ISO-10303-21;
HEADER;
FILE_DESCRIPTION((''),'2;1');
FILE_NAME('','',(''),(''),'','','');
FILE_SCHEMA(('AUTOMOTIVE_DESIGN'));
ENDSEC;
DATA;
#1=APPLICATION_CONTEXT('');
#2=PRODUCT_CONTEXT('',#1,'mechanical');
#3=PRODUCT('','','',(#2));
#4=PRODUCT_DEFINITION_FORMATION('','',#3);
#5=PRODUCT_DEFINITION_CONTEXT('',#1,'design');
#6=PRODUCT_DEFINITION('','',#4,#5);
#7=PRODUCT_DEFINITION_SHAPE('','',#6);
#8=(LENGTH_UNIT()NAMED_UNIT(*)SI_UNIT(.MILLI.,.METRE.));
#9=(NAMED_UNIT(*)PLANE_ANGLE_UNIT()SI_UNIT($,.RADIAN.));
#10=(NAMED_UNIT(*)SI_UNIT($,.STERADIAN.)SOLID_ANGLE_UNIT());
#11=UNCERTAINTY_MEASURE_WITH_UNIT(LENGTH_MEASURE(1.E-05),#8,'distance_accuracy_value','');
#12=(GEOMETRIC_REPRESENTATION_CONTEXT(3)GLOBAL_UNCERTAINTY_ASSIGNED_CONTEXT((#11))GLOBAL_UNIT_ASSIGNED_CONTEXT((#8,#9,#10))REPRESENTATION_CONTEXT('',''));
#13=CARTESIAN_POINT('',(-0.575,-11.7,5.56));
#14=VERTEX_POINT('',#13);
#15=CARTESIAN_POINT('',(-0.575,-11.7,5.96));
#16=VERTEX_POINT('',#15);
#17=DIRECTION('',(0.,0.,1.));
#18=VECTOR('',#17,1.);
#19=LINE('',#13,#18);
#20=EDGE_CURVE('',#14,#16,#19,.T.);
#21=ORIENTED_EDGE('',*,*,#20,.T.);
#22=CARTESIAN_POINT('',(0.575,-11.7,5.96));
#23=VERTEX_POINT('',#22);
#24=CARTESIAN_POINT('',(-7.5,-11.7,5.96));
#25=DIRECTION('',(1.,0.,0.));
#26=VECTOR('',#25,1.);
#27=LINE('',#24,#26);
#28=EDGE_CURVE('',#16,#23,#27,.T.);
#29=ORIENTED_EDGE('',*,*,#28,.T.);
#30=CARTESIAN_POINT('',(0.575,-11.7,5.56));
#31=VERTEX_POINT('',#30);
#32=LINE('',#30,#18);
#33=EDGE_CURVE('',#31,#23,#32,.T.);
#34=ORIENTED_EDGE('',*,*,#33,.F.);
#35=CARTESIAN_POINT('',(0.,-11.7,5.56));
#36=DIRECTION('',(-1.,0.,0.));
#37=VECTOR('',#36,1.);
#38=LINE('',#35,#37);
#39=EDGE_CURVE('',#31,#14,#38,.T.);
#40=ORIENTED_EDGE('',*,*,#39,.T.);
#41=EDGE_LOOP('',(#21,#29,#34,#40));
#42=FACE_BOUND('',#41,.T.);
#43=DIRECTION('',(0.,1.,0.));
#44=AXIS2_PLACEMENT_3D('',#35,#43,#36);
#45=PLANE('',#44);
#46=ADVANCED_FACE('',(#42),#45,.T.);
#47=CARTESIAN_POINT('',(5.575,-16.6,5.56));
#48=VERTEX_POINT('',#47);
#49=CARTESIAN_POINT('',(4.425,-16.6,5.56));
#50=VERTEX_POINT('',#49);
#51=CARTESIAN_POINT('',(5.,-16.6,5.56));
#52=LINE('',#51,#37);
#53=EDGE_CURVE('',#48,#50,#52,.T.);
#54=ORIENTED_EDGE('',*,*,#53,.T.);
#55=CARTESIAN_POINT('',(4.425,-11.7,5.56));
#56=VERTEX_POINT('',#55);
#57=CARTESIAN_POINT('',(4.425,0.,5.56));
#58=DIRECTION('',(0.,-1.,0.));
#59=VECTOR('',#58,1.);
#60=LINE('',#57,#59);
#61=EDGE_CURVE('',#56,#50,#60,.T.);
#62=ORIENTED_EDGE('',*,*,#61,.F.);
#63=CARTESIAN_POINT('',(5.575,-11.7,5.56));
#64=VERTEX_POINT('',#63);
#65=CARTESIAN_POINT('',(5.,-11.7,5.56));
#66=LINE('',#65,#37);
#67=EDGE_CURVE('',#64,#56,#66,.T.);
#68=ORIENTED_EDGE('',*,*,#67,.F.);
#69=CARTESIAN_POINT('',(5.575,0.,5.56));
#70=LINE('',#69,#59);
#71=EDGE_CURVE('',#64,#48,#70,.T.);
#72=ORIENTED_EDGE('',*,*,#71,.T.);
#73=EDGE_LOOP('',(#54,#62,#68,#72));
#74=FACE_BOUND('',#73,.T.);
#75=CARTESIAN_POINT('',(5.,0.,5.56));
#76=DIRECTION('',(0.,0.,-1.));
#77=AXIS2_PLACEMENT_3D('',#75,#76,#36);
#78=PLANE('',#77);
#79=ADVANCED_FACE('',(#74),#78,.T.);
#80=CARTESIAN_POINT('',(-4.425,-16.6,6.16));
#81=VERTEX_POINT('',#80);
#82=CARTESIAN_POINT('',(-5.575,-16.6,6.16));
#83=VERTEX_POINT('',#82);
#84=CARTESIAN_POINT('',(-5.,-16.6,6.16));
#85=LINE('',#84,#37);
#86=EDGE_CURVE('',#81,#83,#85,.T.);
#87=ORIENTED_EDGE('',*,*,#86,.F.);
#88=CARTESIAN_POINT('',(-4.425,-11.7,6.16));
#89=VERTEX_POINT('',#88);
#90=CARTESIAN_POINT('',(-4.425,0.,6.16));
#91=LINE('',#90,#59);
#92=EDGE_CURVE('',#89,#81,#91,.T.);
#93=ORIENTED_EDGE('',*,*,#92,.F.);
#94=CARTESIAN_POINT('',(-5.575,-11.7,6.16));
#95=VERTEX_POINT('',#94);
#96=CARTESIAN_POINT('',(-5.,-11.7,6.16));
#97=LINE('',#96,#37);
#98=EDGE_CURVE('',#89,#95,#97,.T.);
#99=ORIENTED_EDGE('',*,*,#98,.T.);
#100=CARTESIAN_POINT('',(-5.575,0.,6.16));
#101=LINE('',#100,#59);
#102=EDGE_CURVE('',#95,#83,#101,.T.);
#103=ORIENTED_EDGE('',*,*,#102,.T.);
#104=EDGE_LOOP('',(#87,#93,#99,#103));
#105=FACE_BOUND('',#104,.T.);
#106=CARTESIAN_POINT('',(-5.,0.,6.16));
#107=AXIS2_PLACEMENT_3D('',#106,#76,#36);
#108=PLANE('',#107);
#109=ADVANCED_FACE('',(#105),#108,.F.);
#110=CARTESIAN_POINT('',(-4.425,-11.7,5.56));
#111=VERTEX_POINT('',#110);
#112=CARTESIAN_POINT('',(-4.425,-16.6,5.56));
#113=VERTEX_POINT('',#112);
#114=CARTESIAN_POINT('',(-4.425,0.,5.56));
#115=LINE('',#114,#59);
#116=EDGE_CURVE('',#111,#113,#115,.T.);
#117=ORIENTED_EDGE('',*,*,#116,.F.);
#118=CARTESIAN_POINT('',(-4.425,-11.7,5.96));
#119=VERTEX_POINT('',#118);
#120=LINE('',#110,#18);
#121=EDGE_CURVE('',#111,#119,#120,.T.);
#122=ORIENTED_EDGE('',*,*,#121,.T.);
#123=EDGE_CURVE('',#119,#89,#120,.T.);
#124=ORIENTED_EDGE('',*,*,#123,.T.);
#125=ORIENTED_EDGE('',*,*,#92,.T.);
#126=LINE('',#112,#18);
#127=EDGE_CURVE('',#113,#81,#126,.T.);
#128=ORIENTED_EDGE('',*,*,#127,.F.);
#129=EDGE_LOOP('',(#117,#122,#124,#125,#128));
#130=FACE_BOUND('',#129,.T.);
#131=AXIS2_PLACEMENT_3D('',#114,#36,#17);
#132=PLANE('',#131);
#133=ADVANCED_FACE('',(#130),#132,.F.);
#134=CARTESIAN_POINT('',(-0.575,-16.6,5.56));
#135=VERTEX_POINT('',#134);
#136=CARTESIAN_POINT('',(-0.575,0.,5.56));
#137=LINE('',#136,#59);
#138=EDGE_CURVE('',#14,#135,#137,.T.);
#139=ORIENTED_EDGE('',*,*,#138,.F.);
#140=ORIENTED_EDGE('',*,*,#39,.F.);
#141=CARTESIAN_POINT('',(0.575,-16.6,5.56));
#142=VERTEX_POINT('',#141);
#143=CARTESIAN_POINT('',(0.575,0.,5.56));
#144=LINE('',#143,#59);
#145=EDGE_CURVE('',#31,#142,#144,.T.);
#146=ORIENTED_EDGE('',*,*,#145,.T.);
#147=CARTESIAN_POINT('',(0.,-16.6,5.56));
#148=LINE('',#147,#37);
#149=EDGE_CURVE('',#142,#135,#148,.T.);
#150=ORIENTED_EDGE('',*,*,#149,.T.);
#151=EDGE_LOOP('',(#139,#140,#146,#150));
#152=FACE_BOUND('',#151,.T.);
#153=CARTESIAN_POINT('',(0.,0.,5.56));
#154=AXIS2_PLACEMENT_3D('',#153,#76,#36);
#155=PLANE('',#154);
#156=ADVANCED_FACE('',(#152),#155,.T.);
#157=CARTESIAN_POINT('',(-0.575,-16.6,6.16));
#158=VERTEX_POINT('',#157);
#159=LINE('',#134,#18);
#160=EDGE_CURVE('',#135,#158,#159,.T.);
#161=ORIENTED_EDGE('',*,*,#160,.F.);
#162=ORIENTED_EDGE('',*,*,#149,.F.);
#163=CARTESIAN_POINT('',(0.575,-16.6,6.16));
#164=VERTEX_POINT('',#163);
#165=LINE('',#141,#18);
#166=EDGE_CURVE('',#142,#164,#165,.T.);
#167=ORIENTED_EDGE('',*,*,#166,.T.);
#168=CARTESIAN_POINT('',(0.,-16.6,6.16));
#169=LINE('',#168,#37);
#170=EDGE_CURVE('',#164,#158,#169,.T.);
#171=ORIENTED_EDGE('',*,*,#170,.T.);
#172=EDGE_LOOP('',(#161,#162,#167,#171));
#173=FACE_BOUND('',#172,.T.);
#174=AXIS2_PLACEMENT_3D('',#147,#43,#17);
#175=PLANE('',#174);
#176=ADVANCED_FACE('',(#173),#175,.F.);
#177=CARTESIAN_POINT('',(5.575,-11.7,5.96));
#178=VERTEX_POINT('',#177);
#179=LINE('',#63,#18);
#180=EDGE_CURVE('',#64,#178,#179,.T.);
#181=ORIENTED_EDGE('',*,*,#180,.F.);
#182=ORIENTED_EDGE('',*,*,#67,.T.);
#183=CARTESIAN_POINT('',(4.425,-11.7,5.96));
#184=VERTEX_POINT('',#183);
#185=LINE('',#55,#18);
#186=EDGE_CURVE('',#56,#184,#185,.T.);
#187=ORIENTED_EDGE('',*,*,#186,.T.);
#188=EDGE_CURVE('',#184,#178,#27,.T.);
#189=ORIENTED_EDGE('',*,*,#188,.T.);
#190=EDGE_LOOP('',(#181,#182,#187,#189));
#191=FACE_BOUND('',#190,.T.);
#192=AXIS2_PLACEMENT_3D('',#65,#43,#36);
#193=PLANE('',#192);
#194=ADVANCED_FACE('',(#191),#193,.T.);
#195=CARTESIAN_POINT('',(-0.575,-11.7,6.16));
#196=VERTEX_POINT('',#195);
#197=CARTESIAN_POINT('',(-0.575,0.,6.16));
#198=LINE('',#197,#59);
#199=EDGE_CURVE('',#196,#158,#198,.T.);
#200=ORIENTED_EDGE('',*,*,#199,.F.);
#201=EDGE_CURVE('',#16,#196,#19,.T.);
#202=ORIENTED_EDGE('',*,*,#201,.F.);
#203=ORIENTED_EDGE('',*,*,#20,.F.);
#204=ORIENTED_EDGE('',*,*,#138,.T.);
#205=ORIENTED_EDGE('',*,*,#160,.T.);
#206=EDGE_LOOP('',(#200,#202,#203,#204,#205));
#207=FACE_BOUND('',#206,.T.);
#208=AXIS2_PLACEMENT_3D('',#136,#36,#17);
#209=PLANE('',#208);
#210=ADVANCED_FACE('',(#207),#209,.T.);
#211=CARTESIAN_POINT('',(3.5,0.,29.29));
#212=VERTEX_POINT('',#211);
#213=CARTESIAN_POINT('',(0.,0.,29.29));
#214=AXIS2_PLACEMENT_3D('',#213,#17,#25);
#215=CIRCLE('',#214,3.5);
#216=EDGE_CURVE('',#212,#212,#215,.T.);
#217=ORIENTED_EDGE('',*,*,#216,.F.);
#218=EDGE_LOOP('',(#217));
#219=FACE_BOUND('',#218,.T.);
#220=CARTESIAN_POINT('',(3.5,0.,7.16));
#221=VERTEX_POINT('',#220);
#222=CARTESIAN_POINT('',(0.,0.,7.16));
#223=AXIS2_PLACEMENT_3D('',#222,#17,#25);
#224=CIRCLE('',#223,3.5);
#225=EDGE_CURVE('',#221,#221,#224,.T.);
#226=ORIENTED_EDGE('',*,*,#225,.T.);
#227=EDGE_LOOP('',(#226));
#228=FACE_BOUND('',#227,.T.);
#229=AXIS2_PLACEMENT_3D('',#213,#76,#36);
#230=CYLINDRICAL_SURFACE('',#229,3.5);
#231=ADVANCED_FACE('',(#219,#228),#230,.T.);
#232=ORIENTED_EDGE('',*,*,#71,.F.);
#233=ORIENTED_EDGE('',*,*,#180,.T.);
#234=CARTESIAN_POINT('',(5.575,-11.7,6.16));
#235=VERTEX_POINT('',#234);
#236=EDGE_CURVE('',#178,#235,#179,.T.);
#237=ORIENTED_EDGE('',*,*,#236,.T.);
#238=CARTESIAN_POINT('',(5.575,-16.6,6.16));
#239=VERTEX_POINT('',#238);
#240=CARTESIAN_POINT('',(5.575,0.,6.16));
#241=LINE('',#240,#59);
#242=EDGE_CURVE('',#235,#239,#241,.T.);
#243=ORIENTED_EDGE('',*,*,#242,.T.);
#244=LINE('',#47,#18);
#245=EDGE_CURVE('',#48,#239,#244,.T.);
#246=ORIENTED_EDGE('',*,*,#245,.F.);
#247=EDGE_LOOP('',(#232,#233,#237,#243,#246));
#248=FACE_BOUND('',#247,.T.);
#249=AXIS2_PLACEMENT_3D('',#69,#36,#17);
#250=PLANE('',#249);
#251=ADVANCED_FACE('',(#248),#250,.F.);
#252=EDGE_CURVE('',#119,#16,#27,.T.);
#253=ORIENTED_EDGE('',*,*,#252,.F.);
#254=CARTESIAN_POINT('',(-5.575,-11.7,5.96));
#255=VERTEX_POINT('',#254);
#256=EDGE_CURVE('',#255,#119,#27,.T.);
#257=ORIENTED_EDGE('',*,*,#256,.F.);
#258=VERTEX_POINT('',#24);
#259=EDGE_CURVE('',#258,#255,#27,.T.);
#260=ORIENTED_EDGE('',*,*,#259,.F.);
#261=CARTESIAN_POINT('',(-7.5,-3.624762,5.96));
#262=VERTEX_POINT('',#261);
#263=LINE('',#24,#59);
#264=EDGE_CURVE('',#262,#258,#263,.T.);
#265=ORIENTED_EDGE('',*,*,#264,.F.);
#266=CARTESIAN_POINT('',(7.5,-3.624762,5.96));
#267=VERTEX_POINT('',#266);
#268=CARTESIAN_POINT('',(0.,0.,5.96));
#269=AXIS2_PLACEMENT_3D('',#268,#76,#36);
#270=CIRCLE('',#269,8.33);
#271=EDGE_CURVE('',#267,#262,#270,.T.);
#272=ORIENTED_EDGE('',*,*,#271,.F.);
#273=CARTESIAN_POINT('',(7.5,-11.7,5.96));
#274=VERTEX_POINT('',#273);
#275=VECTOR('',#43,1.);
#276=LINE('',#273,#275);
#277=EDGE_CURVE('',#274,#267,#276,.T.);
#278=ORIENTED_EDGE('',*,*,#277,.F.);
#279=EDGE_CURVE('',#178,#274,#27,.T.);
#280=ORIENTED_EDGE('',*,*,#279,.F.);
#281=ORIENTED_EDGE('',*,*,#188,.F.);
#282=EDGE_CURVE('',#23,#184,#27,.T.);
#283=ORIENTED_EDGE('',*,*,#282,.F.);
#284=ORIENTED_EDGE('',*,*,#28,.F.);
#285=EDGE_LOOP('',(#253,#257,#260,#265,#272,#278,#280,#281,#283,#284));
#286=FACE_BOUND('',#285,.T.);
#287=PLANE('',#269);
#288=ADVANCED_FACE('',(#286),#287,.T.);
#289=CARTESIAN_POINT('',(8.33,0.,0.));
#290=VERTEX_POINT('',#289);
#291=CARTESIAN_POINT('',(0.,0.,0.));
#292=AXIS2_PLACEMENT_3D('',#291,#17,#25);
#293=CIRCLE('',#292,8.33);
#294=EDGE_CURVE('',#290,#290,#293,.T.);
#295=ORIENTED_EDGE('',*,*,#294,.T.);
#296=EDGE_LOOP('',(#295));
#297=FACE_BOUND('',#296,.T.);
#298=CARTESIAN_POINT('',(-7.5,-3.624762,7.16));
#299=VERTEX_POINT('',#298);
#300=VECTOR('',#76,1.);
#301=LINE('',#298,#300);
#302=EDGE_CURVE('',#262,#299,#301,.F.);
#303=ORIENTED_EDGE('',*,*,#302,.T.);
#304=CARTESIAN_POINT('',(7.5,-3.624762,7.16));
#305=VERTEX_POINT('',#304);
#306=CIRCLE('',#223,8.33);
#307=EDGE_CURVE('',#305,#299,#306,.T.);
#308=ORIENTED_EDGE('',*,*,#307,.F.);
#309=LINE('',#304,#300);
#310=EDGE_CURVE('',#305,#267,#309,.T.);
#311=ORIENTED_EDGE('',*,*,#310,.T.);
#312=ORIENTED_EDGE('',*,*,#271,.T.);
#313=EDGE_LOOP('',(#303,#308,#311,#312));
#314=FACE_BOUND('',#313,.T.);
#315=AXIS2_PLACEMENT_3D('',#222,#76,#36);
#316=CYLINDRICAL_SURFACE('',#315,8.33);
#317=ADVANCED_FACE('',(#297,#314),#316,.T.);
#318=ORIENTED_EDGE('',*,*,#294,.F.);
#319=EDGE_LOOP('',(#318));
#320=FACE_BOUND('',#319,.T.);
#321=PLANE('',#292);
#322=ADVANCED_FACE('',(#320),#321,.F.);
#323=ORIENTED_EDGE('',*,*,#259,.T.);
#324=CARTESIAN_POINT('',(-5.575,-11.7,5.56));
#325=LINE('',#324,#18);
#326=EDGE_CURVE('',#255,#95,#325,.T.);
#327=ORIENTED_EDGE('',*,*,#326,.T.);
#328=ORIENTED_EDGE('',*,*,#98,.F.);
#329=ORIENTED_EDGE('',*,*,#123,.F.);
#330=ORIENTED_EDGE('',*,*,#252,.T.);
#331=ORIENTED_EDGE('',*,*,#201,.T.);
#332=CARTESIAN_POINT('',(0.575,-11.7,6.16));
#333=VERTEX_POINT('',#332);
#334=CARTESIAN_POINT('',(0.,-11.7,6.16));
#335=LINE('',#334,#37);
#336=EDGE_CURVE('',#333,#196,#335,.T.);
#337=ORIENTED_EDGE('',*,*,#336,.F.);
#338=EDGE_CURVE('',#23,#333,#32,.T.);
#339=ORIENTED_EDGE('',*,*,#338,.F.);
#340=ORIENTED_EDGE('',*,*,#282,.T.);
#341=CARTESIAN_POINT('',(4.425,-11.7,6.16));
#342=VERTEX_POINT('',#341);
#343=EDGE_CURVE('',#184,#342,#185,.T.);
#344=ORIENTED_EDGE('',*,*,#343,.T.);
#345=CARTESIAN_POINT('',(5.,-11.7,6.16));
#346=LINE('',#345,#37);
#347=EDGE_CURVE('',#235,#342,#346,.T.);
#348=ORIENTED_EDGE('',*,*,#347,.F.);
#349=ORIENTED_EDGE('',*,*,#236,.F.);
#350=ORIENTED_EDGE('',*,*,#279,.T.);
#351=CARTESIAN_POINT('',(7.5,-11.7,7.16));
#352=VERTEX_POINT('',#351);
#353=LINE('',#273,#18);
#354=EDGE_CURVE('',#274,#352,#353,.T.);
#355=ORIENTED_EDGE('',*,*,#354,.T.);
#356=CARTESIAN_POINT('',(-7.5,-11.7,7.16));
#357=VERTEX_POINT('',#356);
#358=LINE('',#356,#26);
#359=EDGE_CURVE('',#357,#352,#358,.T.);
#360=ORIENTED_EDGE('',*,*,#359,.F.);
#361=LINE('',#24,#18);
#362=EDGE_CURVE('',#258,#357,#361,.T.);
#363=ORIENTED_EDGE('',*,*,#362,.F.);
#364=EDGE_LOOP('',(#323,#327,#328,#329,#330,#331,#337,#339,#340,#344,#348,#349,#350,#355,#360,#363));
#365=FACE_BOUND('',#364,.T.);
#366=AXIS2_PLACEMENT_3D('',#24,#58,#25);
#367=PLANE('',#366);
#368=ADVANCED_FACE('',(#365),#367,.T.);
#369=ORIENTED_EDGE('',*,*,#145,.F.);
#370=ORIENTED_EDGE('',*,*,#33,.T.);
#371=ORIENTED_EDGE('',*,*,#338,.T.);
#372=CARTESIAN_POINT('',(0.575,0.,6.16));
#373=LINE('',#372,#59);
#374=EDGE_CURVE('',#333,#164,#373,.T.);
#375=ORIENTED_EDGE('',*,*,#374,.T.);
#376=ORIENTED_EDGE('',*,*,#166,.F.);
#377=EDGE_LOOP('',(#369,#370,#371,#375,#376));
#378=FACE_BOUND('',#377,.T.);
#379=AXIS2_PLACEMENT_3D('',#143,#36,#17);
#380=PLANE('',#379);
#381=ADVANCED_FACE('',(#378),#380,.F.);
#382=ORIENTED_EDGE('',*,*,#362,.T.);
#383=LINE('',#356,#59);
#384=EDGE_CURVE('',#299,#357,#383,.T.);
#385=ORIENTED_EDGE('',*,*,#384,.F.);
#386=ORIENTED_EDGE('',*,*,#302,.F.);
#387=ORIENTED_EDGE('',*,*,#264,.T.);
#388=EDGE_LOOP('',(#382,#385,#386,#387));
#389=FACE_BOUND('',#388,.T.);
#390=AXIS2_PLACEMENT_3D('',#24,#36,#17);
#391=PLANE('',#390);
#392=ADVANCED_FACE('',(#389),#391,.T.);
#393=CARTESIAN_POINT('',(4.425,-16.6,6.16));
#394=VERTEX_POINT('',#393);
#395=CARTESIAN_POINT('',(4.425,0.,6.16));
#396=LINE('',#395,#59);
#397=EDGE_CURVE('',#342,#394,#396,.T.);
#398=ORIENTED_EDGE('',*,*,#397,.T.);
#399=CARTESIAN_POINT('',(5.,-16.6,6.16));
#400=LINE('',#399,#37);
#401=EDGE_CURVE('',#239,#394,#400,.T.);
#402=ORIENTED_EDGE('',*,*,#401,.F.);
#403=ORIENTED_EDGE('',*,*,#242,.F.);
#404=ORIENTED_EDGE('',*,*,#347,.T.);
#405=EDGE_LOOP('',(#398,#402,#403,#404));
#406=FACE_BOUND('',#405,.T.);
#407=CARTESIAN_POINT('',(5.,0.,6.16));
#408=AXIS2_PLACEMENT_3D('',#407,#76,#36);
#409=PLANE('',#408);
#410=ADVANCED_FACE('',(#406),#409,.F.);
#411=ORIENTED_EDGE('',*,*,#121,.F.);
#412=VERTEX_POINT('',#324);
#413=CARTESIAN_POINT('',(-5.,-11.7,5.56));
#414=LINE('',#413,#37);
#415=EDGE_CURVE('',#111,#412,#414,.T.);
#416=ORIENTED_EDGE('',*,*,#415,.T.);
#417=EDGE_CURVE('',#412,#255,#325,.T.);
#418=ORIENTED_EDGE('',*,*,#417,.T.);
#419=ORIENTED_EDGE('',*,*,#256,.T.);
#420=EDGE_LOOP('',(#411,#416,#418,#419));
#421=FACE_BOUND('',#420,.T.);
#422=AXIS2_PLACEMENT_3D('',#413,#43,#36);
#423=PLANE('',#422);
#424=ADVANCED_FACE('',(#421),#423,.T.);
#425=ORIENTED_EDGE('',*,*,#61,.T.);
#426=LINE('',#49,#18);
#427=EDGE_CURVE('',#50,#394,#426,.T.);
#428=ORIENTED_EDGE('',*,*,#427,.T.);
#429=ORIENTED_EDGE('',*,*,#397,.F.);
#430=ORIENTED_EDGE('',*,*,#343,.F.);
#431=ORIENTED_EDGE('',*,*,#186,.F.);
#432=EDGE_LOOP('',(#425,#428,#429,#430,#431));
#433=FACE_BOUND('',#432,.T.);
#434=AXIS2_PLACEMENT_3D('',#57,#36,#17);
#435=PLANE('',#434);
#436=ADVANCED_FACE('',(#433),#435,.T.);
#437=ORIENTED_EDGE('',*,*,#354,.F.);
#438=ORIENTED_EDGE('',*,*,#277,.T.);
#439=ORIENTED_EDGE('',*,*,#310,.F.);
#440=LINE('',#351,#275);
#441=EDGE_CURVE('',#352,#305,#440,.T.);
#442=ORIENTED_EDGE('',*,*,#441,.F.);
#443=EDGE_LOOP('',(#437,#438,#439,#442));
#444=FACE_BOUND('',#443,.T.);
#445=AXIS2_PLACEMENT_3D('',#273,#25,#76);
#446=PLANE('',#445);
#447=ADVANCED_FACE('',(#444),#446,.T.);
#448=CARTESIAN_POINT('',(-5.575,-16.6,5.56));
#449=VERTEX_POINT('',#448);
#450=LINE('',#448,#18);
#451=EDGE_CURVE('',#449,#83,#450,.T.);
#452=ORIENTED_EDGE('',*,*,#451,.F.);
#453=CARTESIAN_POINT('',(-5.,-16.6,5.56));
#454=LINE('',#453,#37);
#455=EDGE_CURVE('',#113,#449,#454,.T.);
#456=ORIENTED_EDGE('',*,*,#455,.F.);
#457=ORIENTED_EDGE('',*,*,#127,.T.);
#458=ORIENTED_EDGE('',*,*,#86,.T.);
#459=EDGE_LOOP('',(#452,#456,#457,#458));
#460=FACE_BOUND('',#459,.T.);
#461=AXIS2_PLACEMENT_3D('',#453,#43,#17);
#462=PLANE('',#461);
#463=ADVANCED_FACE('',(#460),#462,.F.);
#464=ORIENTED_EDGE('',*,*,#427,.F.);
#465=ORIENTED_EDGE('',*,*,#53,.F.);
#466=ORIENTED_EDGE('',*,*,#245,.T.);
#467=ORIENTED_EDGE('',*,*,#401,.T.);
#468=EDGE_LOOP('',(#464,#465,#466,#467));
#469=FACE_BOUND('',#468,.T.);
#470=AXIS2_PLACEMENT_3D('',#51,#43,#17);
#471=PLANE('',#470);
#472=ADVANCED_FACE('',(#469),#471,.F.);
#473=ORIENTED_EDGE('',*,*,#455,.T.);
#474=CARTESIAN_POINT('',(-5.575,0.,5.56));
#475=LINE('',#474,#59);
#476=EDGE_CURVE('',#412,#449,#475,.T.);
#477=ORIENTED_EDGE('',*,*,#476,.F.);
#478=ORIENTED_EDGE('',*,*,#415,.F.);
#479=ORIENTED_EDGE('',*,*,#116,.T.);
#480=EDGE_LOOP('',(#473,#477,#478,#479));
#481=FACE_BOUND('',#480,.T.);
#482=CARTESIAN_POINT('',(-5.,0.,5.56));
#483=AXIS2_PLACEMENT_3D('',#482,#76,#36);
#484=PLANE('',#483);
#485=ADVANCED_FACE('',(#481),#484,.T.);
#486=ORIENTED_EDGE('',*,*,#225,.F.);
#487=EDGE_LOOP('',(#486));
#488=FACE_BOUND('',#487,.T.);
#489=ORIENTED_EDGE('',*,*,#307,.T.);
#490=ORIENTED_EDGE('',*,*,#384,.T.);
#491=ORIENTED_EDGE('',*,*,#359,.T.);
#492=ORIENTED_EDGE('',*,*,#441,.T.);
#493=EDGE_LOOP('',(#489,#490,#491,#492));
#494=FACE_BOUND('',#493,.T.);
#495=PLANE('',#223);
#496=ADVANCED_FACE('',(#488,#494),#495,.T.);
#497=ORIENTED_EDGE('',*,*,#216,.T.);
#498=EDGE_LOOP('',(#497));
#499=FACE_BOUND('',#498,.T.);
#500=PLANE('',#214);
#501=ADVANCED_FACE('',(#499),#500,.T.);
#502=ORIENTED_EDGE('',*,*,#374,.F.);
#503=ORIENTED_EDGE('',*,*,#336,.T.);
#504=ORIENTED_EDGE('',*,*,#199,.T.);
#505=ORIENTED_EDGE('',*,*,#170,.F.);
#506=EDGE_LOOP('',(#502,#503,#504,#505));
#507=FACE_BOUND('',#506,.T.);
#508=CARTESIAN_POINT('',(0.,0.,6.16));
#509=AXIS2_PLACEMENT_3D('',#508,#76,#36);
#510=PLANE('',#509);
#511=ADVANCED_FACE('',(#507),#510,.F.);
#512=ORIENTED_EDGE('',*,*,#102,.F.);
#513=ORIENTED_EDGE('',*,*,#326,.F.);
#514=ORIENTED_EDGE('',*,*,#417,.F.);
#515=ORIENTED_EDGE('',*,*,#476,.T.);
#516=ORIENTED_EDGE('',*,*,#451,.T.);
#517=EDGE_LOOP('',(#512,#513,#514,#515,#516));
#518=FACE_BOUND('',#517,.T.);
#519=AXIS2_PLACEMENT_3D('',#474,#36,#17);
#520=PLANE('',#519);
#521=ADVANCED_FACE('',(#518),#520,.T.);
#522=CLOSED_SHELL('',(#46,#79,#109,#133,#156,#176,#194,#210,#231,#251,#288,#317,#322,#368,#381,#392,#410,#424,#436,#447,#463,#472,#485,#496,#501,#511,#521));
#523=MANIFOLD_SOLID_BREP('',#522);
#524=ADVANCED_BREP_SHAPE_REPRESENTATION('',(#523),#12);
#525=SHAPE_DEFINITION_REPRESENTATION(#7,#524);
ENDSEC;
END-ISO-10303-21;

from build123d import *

# Parameters (mm, degrees)
SKETCH1_R           = 8.33
BOSS_EXTRUDE1_DEPTH = 7.16
SKETCH2_R           = 3.5
BOSS_EXTRUDE2_DEPTH = 22.13
SKETCH3_W           = 15
SKETCH3_H           = 11.20454244
BOSS_EXTRUDE3_DEPTH = 1.2
BOSS_EXTRUDE4_START = -0.2
SKETCH4_W           = 1.15
SKETCH4_H           = 4.9
BOSS_EXTRUDE4_DEPTH = 0.6
LPATTERN1_COUNT     = 2
LPATTERN1_PITCH     = 5
LPATTERN1_COL_COUNT = 2
LPATTERN1_COL_PITCH = 5


with BuildPart() as part:
    # Sketch1 → Boss-Extrude1 (new body)
    with BuildSketch(Plane.XY):
        Circle(SKETCH1_R)
    extrude(amount=BOSS_EXTRUDE1_DEPTH)

    # Sketch2 → Boss-Extrude2 (add)
    with BuildSketch(Plane.XY.offset(7.16)):
        Circle(SKETCH2_R)
    extrude(amount=BOSS_EXTRUDE2_DEPTH)

    # Sketch3 → Boss-Extrude3 (add)
    with BuildSketch(Plane.XY.offset(7.16)):
        with Locations((0, -6.09772878)):
            Rectangle(SKETCH3_W, SKETCH3_H)
    extrude(amount=-BOSS_EXTRUDE3_DEPTH)

    # Sketch4 → Boss-Extrude4 (add)
    with BuildSketch(Plane(origin=(0, 0, 5.96), x_dir=(-1, 0, 0), z_dir=(0, 0, -1)).offset(BOSS_EXTRUDE4_START)):
        with Locations((0, -14.15)):
            Rectangle(SKETCH4_W, SKETCH4_H)
    boss_extrude4 = extrude(amount=BOSS_EXTRUDE4_DEPTH)

    # LPattern1: Boss-Extrude4 ×2
    with Locations(*[(i * LPATTERN1_PITCH, 0, 0) for i in range(1, LPATTERN1_COUNT)]):
        add(boss_extrude4)

    # LPattern1 col: Boss-Extrude4 ×2
    with Locations(*[(-i * LPATTERN1_COL_PITCH, 0, 0) for i in range(1, LPATTERN1_COL_COUNT)]):
        add(boss_extrude4)


solid = part.part
